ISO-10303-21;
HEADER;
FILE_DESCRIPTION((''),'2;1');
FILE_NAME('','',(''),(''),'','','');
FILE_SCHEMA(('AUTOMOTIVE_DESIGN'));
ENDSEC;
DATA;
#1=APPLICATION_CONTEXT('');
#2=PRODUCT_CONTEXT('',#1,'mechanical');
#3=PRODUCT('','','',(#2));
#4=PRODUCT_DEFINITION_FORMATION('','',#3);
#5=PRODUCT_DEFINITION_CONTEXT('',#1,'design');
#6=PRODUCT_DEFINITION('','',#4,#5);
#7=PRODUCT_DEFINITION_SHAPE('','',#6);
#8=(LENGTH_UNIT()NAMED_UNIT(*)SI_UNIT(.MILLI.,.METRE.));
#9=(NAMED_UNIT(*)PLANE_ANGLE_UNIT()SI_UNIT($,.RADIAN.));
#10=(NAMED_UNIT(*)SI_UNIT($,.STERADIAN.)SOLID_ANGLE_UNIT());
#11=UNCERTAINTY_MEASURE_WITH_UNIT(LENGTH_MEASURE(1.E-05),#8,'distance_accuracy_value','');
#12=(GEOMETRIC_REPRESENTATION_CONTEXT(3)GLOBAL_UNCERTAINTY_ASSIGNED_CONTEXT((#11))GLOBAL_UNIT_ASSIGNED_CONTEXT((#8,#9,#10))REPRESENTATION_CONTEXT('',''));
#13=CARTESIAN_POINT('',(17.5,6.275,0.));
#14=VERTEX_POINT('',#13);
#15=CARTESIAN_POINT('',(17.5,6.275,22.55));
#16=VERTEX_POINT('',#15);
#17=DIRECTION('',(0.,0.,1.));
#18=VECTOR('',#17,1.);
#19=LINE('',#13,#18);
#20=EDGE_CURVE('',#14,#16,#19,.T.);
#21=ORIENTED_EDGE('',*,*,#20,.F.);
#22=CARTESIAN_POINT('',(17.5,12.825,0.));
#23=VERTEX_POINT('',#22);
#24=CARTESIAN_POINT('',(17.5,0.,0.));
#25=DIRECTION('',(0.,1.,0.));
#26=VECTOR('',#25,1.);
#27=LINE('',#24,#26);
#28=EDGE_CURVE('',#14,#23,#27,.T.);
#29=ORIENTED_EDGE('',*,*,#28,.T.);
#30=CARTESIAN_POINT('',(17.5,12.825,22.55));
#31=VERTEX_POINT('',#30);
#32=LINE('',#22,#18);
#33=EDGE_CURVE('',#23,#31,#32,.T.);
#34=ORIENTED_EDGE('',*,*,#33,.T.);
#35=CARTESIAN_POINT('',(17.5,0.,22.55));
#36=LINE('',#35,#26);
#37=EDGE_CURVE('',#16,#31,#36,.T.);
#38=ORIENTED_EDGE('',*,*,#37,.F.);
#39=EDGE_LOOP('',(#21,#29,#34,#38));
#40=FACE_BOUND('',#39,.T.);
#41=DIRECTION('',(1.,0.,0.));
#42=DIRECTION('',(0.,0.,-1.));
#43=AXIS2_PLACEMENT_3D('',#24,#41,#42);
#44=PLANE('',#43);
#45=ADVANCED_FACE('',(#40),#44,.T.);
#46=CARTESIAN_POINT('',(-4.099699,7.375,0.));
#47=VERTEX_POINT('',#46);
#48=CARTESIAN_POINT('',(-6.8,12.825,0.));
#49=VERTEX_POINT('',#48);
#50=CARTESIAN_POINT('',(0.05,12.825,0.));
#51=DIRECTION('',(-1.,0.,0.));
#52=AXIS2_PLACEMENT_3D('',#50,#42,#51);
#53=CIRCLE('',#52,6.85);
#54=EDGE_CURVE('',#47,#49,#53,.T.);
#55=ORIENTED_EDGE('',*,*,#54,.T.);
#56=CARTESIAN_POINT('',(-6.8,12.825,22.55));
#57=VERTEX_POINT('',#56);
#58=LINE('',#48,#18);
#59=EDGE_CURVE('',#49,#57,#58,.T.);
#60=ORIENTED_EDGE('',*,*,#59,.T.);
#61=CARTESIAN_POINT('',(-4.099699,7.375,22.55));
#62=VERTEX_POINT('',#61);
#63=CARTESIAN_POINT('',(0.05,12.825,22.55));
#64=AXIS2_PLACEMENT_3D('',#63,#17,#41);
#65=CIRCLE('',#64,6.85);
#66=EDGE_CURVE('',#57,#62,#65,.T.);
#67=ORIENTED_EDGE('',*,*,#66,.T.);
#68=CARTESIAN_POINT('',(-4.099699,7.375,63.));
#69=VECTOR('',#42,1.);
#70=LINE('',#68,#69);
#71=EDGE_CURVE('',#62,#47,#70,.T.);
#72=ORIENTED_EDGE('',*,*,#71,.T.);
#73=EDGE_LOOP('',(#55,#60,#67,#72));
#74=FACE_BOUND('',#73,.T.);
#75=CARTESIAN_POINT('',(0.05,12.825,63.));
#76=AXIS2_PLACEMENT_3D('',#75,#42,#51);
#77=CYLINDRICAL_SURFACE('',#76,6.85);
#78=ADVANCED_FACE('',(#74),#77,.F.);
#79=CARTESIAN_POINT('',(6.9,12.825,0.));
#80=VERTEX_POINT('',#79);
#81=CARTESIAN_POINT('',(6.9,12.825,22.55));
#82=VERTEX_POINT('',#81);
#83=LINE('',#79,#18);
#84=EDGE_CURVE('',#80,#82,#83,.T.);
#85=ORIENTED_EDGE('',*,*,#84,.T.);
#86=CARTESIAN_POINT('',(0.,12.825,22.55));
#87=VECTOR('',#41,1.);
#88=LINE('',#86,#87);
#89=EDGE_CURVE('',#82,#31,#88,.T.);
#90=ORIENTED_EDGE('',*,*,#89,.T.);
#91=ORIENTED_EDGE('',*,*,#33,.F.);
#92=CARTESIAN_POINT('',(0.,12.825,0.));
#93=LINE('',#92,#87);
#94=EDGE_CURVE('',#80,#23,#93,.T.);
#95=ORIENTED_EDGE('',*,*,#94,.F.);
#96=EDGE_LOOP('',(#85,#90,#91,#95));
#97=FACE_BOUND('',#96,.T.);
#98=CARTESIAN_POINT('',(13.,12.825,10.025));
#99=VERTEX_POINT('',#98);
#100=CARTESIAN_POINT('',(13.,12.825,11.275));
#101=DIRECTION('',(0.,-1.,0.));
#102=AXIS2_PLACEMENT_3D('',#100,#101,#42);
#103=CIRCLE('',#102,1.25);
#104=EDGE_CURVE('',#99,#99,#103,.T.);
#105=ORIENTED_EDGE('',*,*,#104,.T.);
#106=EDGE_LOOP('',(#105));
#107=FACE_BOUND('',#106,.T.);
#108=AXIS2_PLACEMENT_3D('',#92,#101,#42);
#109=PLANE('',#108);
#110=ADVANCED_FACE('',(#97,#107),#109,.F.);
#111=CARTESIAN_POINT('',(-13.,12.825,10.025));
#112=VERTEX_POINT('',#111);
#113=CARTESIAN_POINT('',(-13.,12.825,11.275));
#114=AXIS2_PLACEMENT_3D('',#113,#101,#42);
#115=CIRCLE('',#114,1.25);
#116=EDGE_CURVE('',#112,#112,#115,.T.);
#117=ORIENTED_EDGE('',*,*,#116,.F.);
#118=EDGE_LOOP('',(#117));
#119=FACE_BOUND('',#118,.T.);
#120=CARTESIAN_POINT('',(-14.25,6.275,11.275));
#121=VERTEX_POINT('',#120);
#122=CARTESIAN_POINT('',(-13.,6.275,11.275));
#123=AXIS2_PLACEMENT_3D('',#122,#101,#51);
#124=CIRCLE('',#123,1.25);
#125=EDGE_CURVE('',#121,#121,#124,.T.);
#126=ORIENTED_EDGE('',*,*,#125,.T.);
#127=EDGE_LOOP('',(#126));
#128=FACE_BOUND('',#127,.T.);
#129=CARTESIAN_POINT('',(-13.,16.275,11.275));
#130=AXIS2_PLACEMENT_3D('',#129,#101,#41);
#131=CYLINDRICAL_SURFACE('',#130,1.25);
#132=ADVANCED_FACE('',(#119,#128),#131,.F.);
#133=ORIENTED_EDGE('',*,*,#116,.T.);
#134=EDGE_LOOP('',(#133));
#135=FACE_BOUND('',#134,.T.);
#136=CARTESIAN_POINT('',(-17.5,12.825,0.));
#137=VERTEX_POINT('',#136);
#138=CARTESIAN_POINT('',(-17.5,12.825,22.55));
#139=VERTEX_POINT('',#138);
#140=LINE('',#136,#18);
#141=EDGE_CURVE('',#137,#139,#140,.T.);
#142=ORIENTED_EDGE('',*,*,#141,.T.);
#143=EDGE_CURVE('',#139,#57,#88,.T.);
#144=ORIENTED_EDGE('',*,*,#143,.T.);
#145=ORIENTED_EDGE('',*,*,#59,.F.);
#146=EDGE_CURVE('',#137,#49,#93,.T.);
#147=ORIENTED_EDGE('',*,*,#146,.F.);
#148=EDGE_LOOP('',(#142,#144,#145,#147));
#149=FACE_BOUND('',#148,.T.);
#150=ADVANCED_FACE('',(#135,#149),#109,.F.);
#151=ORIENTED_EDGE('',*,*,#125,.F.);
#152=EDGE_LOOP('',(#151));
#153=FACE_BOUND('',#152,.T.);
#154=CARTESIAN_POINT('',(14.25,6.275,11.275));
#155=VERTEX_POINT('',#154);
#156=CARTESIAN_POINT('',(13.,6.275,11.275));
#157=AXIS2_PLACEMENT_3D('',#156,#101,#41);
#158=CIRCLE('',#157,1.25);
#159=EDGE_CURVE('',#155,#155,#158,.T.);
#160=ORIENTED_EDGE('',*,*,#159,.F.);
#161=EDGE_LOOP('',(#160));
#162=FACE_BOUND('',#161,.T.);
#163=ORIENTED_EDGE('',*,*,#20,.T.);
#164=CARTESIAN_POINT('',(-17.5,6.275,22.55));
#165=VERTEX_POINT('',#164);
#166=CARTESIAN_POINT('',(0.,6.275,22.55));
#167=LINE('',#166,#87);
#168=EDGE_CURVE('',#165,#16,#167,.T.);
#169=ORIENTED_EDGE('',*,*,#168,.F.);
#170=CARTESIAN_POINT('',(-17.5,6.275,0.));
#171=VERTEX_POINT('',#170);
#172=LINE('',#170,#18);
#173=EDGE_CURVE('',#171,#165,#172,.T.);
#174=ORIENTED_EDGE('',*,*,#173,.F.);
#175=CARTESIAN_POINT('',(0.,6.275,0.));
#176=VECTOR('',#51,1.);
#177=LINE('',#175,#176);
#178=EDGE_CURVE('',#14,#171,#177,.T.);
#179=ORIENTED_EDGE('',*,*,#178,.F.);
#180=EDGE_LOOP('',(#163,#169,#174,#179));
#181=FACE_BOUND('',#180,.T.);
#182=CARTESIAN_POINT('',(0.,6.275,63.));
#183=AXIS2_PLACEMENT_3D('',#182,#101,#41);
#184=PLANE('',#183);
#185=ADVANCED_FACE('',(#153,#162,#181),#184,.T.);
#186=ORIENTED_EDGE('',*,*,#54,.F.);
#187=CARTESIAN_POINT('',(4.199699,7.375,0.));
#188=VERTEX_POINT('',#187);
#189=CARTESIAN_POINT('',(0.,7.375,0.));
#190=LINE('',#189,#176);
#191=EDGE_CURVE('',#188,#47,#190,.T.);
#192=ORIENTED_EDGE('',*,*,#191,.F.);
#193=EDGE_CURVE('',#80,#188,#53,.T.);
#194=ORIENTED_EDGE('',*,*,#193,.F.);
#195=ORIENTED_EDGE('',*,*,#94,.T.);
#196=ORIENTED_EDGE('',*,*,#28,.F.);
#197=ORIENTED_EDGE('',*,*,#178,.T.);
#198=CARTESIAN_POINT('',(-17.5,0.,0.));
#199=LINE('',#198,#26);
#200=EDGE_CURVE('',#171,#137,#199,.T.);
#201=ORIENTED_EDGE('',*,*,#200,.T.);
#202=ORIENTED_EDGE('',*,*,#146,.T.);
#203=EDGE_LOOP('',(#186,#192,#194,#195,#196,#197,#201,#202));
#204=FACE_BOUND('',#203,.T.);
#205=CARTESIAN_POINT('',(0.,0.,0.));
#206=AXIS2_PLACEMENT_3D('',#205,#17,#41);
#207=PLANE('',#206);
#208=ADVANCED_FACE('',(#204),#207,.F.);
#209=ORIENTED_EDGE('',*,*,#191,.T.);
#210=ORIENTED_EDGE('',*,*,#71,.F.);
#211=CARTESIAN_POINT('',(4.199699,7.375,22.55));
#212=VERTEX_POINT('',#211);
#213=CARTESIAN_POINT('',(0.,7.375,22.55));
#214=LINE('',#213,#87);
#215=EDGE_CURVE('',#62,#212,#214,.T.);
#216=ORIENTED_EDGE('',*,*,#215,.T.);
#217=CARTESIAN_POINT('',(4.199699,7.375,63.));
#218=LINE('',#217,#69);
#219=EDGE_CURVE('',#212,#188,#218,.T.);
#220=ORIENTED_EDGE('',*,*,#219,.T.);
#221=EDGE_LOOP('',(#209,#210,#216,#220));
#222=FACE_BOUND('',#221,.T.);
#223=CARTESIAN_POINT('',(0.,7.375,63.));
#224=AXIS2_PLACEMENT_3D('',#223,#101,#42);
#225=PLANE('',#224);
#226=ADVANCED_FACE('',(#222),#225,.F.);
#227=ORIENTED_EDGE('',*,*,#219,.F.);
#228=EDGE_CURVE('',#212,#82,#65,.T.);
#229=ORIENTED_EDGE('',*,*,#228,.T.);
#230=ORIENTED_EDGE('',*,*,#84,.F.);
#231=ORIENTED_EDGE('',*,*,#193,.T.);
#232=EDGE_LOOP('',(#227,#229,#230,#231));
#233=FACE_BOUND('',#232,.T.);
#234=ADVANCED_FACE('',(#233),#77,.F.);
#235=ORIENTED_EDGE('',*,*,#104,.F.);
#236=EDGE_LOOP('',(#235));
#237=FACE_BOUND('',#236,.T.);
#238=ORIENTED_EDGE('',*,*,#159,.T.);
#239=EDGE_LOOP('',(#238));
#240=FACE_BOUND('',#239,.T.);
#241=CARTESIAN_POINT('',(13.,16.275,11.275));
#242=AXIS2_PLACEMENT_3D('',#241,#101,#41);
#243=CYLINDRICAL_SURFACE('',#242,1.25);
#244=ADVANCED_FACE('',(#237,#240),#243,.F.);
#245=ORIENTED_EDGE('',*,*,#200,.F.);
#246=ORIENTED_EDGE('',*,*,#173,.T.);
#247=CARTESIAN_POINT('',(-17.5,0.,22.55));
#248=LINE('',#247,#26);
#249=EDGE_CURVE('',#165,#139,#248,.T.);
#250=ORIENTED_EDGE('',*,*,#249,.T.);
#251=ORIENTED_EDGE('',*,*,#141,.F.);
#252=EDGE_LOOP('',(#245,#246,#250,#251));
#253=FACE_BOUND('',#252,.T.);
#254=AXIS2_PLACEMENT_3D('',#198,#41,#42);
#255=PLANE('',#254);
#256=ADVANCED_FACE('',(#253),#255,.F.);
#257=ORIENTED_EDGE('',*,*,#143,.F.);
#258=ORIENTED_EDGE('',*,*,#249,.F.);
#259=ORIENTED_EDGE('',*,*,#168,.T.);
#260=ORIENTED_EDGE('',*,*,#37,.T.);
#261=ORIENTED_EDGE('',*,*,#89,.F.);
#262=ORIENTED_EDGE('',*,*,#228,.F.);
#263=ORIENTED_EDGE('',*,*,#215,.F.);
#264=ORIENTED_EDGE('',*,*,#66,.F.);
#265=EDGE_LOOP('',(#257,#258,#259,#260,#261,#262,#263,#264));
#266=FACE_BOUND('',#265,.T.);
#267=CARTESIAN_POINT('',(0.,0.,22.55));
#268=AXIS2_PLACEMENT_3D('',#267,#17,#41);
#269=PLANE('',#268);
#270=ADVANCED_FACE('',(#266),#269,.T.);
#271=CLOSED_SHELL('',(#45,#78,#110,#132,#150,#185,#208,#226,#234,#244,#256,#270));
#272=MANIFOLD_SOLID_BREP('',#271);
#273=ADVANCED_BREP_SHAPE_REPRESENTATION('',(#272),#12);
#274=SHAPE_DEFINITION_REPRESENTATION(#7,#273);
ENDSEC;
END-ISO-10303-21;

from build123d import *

# Parameters (mm, degrees)
SKETCH1_W          = 98.9
SKETCH1_H          = 124.45
BODY_DEPTH         = 22.55
SKETCH4_W          = 7
SKETCH4_H          = 3
SKETCH4_W_2        = 3
SKETCH4_H_2        = 7
CUT_EXTRUDE1_DEPTH = 63
SKETCH5_W          = 8.299397568
SKETCH5_H          = 10.9
CUT_EXTRUDE2_DEPTH = 63
SKETCH6_W          = 98.9
SKETCH6_H          = 68.5
CUT_EXTRUDE3_DEPTH = 63
SKETCH7_W          = 22.55
SKETCH7_H          = 1.441759006
CUT_EXTRUDE4_DEPTH = 63
CUT_EXTRUDE5_DEPTH = 23.55
SKETCH9_R          = 1.25
CUT_EXTRUDE6_DEPTH = 10


with BuildPart() as part:
    # Sketch1 → body (new body)
    with BuildSketch(Plane.XY):
        Rectangle(SKETCH1_W, SKETCH1_H)
    extrude(amount=BODY_DEPTH)

    # Sketch4 → Cut-Extrude1 (cut)
    with BuildSketch(Plane(origin=(0, 0, 0), x_dir=(-1, 0, 0), z_dir=(0, 0, -1))):
        with Locations((0, 62.225)):
            Rectangle(SKETCH4_W, SKETCH4_H)
        with Locations((49.35, 12.775)):
            Rectangle(SKETCH4_W_2, SKETCH4_H_2)
        with Locations((-49.45, 12.875)):
            Rectangle(SKETCH4_W_2, SKETCH4_H_2)
    extrude(amount=-CUT_EXTRUDE1_DEPTH, mode=Mode.SUBTRACT)

    # Sketch5 → Cut-Extrude2 (cut)
    with BuildSketch(Plane(origin=(0, 0, 0), x_dir=(-1, 0, 0), z_dir=(0, 0, -1))):
        with Locations((-0.05, 12.825)):
            Rectangle(SKETCH5_W, SKETCH5_H)
        with BuildLine():
            Line((4.099698784, 18.275), (4.099698784, 7.375))
            ThreePointArc((4.099698784, 7.375), (6.087912376, 9.783860137), (6.8, 12.825))
            ThreePointArc((6.8, 12.825), (6.087912376, 15.866139863), (4.099698784, 18.275))
        make_face()
        with BuildLine():
            ThreePointArc((-4.199698784, 18.275), (-6.9, 12.825), (-4.199698784, 7.375))
            Line((-4.199698784, 7.375), (-4.199698784, 18.275))
        make_face()
    extrude(amount=-CUT_EXTRUDE2_DEPTH, mode=Mode.SUBTRACT)

    # Sketch6 → Cut-Extrude3 (cut)
    with BuildSketch(Plane(origin=(0, 0, 0), x_dir=(-1, 0, 0), z_dir=(0, 0, -1))):
        with BuildLine():
            Line((49.45, 19.275), (49.45, 62.225))
            Line((49.45, 62.225), (6.5, 62.225))
            Line((6.5, 62.225), (6.5, 22.275))
            ThreePointArc((6.5, 22.275), (8.621320344, 21.396320344), (9.5, 19.275))
            Line((9.5, 19.275), (49.45, 19.275))
        make_face()
        with BuildLine():
            Line((-49.45, 60.783244994), (-49.45, 19.391375139))
            Line((-49.45, 19.391375139), (-9.597617792, 19.297494249))
            ThreePointArc((-9.597617792, 19.297494249), (-8.71394336, 21.416738793), (-6.590558988, 22.290418797))
            Line((-6.590558988, 22.290418797), (-6.496484462, 62.225))
            Line((-6.496484462, 62.225), (-49.446603635, 62.225))
            Line((-49.446603635, 62.225), (-49.45, 60.783244994))
        make_face()
        with Locations((0, -27.975)):
            Rectangle(SKETCH6_W, SKETCH6_H)
    extrude(amount=-CUT_EXTRUDE3_DEPTH, mode=Mode.SUBTRACT)

    # Sketch7 → Cut-Extrude4 (cut)
    with BuildSketch(Plane(origin=(49.592912844, 0.116826812, 0), x_dir=(0, 0, 1), z_dir=(-0.999997225, -0.002355709, 0))):
        with Locations((11.275, 61.387466016)):
            Rectangle(SKETCH7_W, SKETCH7_H)
    extrude(amount=-CUT_EXTRUDE4_DEPTH, mode=Mode.SUBTRACT)

    # Sketch8 → Cut-Extrude5 (cut, through all)
    with BuildSketch(Plane.XY.offset(22.55)):
        with BuildLine():
            Line((-49.45, 6.275), (-17.5, 6.275))
            Line((-17.5, 6.275), (-17.5, 12.825))
            Line((-17.5, 12.825), (-6.8, 12.825))
            ThreePointArc((-6.8, 12.825), (-6.087912376, 15.866139863), (-4.099698784, 18.275))
            Line((-4.099698784, 18.275), (4.199698784, 18.275))
            ThreePointArc((4.199698784, 18.275), (6.187912376, 15.866139863), (6.9, 12.825))
            Line((6.9, 12.825), (17.5, 12.825))
            Line((17.5, 12.825), (17.5, 6.275))
            Line((17.5, 6.275), (49.45, 6.275))
            Line((49.45, 6.275), (49.45, 9.375))
            Line((49.45, 9.375), (47.95, 9.375))
            Line((47.95, 9.375), (47.95, 16.375))
            Line((47.95, 16.375), (49.45, 16.375))
            Line((49.45, 16.375), (49.45, 19.391375139))
            Line((49.45, 19.391375139), (9.597617792, 19.297494249))
            ThreePointArc((9.597617792, 19.297494249), (8.71394336, 21.416738793), (6.590558988, 22.290418797))
            Line((6.590558988, 22.290418797), (6.496484462, 62.225))
            Line((6.496484462, 62.225), (3.5, 62.225))
            Line((3.5, 62.225), (3.5, 60.725))
            Line((3.5, 60.725), (-3.5, 60.725))
            Line((-3.5, 60.725), (-3.5, 62.225))
            Line((-3.5, 62.225), (-6.5, 62.225))
            Line((-6.5, 62.225), (-6.5, 22.275))
            ThreePointArc((-6.5, 22.275), (-8.621320344, 21.396320344), (-9.5, 19.275))
            Line((-9.5, 19.275), (-49.45, 19.275))
            Line((-49.45, 19.275), (-49.45, 16.275))
            Line((-49.45, 16.275), (-47.85, 16.275))
            Line((-47.85, 16.275), (-47.85, 9.275))
            Line((-47.85, 9.275), (-49.45, 9.275))
            Line((-49.45, 9.275), (-49.45, 6.275))
        make_face()
    extrude(amount=-CUT_EXTRUDE5_DEPTH, mode=Mode.SUBTRACT)

    # Sketch9 → Cut-Extrude6 (cut)
    with BuildSketch(Plane.XZ.offset(-6.275)):
        with Locations((13, 11.275)):
            Circle(SKETCH9_R)
        with Locations((-13, 11.275)):
            Circle(SKETCH9_R)
    extrude(amount=-CUT_EXTRUDE6_DEPTH, mode=Mode.SUBTRACT)


solid = part.part
